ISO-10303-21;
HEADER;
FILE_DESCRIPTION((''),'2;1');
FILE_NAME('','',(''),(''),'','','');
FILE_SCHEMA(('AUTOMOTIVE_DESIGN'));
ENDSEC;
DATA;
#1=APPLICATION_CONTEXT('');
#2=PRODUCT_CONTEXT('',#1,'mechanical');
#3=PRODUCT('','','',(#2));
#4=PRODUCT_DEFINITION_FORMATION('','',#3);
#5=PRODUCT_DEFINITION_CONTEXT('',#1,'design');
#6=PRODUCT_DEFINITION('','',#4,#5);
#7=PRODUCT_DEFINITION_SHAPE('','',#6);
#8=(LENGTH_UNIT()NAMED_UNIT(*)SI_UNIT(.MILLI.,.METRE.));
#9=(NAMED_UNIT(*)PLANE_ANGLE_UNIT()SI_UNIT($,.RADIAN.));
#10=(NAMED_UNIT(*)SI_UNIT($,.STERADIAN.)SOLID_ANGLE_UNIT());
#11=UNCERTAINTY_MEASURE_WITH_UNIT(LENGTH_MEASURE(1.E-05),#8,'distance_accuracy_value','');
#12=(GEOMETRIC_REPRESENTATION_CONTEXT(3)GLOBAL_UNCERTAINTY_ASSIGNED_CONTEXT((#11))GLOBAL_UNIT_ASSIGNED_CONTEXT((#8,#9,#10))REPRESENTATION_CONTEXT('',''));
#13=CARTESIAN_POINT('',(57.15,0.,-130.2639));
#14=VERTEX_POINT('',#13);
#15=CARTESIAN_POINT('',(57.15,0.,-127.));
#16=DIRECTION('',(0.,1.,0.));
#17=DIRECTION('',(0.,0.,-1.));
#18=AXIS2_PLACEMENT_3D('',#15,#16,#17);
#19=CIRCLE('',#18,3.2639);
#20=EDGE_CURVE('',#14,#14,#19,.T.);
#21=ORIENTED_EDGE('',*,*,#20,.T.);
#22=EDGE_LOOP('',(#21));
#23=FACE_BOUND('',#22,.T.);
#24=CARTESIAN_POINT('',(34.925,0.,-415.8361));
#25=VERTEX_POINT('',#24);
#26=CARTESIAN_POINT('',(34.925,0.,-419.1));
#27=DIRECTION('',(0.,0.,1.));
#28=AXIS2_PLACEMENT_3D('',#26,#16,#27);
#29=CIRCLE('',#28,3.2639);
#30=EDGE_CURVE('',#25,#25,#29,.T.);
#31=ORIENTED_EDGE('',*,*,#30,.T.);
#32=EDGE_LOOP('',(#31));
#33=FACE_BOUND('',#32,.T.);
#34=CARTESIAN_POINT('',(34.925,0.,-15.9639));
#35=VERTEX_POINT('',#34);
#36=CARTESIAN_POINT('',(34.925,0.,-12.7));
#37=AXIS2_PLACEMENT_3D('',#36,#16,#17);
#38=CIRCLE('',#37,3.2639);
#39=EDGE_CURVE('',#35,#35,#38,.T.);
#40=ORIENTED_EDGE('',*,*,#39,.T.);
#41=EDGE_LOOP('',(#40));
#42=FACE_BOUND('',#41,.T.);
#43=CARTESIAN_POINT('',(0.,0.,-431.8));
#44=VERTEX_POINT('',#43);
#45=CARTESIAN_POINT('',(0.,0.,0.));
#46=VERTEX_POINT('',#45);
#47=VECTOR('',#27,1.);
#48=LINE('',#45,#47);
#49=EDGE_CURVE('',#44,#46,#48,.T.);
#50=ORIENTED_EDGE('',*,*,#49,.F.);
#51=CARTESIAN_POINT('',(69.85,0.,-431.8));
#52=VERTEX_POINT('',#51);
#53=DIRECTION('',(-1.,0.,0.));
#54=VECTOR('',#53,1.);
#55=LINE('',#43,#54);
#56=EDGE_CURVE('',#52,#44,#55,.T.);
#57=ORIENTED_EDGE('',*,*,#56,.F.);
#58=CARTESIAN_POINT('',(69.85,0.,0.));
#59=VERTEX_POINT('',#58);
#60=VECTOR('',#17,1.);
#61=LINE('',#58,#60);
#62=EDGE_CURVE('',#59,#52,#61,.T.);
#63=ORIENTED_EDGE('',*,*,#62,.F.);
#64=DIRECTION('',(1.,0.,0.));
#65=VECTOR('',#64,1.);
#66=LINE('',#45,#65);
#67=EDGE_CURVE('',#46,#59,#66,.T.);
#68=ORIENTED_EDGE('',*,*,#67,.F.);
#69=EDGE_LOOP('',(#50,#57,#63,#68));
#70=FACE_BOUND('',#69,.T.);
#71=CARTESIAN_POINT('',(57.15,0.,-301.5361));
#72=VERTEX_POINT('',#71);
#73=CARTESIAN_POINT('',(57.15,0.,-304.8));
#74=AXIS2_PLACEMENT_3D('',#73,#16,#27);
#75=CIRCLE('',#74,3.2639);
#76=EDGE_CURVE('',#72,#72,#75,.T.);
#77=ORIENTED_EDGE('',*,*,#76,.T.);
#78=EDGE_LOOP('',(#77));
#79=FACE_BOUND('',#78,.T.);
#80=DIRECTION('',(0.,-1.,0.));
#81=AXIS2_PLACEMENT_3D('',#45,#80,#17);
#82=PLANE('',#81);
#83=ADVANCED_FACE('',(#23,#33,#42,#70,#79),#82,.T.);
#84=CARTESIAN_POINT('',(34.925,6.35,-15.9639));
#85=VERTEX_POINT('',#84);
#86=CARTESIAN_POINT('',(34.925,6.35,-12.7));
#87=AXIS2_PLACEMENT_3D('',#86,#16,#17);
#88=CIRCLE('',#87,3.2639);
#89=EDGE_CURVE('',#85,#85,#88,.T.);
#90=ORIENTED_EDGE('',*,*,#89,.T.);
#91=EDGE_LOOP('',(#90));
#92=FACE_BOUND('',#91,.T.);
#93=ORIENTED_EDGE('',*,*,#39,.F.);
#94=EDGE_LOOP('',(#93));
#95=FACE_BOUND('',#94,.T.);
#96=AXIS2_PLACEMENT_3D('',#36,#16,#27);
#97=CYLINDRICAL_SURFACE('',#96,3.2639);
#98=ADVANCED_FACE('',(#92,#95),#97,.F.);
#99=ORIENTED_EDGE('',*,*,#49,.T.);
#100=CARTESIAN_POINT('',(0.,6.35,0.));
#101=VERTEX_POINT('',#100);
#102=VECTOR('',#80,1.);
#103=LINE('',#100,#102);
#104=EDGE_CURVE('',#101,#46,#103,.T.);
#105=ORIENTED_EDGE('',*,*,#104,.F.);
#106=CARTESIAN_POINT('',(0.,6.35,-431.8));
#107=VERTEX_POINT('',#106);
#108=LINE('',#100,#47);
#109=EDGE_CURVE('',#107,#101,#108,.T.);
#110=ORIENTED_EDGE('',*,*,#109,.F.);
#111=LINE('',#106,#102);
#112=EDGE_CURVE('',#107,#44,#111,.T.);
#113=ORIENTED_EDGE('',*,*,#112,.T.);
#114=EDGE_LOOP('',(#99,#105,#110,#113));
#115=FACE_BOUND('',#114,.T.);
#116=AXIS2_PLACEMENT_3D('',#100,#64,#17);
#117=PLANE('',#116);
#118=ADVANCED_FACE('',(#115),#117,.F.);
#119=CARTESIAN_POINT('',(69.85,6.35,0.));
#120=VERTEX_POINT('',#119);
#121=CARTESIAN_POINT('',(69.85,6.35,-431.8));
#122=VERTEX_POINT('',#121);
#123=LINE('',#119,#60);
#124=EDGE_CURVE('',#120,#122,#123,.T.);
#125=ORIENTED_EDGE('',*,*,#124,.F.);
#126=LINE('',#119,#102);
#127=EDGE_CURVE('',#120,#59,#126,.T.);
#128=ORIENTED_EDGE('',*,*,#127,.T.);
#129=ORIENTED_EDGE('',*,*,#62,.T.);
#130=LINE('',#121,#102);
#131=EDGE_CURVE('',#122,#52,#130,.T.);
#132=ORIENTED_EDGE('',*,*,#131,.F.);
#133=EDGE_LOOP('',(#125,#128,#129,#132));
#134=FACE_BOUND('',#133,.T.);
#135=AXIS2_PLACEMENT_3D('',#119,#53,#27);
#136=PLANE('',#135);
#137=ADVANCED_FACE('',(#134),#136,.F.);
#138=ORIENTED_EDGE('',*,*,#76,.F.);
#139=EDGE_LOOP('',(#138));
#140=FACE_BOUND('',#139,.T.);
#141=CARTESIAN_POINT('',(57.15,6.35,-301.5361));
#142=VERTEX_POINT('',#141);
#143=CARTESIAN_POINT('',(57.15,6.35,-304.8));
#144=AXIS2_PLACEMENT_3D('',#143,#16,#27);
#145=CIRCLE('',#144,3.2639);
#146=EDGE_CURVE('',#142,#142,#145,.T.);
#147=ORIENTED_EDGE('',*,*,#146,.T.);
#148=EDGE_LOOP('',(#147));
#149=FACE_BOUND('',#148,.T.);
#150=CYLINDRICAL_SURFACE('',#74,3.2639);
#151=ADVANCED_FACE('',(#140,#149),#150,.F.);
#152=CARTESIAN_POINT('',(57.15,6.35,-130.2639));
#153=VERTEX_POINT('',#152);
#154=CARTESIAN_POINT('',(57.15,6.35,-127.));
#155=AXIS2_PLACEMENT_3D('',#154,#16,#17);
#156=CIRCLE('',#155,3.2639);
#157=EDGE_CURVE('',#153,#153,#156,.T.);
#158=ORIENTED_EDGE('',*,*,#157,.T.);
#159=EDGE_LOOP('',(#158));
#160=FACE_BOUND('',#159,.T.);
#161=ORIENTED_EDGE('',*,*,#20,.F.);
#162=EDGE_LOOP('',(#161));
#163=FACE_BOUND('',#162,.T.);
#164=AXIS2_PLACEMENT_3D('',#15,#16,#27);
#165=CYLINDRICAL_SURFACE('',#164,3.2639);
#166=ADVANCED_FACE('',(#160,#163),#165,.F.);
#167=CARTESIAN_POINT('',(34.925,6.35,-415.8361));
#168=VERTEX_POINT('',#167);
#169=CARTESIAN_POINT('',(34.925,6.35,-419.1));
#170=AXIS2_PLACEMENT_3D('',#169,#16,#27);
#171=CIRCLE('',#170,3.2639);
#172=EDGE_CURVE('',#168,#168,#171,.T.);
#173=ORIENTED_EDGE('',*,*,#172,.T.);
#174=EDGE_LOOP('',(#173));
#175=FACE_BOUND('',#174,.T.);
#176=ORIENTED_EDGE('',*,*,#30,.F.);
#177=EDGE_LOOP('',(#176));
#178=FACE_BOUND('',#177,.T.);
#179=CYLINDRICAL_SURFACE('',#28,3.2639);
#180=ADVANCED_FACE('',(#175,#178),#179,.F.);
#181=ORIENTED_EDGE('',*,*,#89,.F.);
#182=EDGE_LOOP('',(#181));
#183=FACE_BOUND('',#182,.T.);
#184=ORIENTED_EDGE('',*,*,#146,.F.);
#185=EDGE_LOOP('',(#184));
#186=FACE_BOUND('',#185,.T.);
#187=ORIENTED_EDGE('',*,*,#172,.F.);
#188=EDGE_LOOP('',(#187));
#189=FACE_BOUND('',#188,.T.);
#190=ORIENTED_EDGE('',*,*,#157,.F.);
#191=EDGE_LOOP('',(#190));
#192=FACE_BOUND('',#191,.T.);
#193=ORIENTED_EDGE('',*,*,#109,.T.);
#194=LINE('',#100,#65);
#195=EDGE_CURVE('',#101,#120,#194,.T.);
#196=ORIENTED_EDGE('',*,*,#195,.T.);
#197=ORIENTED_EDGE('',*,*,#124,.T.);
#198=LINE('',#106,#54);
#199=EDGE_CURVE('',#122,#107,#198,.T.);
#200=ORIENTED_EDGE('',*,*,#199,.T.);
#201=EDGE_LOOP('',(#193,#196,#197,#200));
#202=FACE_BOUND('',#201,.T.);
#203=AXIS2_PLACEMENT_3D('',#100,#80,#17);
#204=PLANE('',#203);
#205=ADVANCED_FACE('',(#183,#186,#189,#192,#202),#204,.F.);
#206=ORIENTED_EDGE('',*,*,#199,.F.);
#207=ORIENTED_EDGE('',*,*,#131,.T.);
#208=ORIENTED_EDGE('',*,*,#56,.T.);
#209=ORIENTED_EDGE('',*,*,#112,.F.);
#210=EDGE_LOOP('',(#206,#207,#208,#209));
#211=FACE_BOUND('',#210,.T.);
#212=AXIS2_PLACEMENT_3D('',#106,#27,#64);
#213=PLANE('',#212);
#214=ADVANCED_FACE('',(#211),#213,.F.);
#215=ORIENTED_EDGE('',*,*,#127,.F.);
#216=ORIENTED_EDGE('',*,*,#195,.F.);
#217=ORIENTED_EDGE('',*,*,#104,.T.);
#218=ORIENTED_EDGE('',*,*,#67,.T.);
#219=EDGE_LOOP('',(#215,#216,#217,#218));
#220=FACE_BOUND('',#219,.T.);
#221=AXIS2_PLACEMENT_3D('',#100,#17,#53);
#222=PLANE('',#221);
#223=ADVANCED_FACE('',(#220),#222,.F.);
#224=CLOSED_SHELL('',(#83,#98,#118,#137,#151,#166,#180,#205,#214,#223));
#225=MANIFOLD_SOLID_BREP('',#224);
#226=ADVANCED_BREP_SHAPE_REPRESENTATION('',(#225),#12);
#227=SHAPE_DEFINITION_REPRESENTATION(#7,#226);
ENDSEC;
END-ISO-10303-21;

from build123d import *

# Parameters (mm, degrees)
SKETCH1_W           = 69.85
SKETCH1_H           = 431.8
BOSS_EXTRUDE1_DEPTH = 6.35
SKETCH2_R           = 3.2639
CUT_EXTRUDE1_DEPTH  = 438.459238101


with BuildPart() as part:
    # Sketch1 → Boss-Extrude1 (new body)
    with BuildSketch(Plane(origin=(0, 0, 0), x_dir=(1, 0, 0), z_dir=(0, 1, 0))):
        with Locations((34.925, 215.9)):
            Rectangle(SKETCH1_W, SKETCH1_H)
    extrude(amount=BOSS_EXTRUDE1_DEPTH)

    # Sketch2 → Cut-Extrude1 (cut, through all)
    with BuildSketch(Plane(origin=(0, 6.35, 0), x_dir=(1, 0, 0), z_dir=(0, 1, 0))):
        with Locations(Location((34.925, 419.1, 0), (0, 0, 270))):
            Circle(SKETCH2_R)
        with Locations(Location((57.15, 304.8, 0), (0, 0, 270))):
            Circle(SKETCH2_R)
        with Locations(Location((57.15, 127, 0), (0, 0, 90))):
            Circle(SKETCH2_R)
        with Locations(Location((34.925, 12.7, 0), (0, 0, 90))):
            Circle(SKETCH2_R)
    extrude(amount=-CUT_EXTRUDE1_DEPTH, mode=Mode.SUBTRACT)


solid = part.part
